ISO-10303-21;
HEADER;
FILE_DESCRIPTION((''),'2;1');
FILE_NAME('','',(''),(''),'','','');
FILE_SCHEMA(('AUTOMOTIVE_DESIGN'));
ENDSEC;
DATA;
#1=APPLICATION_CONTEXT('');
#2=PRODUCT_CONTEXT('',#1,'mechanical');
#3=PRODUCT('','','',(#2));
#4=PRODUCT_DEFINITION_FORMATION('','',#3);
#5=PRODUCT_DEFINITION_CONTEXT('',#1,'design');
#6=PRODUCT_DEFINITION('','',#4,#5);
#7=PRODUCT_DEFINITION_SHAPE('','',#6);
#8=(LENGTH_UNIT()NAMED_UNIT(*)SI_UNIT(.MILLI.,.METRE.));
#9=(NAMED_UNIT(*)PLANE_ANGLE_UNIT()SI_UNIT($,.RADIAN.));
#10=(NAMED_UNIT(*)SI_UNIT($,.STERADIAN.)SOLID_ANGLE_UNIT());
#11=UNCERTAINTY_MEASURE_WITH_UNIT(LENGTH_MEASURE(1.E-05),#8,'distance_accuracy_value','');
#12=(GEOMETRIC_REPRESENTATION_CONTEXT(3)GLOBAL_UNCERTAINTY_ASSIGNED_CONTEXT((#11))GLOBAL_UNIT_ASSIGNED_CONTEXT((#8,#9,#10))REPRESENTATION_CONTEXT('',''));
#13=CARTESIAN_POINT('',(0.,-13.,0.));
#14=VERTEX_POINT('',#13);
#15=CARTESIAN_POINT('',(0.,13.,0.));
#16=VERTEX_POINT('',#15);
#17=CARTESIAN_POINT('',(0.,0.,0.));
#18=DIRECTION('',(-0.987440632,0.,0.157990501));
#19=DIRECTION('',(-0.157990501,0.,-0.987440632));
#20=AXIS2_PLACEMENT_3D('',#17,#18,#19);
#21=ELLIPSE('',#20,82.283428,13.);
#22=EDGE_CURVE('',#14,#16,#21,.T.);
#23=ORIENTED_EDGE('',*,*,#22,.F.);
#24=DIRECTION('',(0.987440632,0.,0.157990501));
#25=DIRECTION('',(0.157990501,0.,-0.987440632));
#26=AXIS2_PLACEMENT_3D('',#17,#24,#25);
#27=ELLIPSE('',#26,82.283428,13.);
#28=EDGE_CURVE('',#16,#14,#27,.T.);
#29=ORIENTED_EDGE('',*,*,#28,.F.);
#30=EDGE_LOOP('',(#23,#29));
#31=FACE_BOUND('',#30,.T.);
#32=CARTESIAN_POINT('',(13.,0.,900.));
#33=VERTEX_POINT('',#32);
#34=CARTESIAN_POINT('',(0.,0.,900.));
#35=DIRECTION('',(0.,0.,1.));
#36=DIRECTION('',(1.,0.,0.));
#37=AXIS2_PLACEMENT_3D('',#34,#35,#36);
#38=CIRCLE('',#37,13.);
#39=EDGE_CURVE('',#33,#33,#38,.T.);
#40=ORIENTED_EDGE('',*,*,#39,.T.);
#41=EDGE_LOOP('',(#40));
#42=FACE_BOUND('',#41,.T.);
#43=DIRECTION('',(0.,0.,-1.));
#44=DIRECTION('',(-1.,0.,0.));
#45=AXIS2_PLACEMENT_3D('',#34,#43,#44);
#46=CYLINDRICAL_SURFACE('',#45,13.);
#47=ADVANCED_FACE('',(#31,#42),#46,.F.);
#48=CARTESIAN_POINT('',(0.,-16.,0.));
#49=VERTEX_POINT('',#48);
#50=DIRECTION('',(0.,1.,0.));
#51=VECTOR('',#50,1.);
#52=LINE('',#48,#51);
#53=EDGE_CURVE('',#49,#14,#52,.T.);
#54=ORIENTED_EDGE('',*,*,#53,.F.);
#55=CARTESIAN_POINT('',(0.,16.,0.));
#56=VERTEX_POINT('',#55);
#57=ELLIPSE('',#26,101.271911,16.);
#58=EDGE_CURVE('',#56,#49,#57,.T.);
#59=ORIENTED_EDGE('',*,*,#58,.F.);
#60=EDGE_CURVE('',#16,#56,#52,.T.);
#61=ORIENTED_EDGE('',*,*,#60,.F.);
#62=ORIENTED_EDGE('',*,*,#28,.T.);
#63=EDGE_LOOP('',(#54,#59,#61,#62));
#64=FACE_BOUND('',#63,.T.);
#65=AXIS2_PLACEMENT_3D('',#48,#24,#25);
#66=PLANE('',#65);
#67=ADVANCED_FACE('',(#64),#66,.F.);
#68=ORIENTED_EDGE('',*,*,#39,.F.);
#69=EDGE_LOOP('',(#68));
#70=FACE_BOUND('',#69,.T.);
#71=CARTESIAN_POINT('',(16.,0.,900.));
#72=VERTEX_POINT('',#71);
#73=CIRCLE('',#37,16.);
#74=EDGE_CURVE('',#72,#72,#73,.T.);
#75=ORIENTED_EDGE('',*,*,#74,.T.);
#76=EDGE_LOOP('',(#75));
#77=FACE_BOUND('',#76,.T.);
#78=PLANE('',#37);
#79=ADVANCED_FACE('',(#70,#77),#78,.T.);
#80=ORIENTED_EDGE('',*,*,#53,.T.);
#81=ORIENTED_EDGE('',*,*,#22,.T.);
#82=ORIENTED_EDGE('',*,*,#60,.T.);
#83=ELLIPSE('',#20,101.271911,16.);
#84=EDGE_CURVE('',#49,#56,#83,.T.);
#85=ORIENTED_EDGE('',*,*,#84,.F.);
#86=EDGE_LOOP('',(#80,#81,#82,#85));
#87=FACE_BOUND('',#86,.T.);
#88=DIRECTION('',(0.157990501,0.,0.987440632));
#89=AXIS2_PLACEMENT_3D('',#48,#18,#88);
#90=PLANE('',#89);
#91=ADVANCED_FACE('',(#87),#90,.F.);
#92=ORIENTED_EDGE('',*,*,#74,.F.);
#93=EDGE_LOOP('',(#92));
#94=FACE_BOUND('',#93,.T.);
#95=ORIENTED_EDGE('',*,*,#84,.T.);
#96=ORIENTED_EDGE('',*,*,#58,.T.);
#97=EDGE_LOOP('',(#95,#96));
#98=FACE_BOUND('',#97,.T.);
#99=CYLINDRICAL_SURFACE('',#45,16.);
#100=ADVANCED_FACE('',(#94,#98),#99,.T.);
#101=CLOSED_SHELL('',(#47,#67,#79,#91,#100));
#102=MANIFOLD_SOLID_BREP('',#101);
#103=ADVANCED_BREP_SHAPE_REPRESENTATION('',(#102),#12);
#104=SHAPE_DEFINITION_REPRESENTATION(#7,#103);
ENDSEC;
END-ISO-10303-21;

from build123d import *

# Parameters (mm, degrees)
ESQUISSE1_R                  = 16
ESQUISSE1_R_2                = 13
BOSS_EXTRU_1_DEPTH           = 900
ENL_V_MAT_EXTRU_1_DEPTH      = 901.284399509
ENL_V_MAT_EXTRU_1_DEPTH_BACK = 901.284399509
ENL_V_MAT_EXTRU_2_DEPTH      = 901.284399509
ENL_V_MAT_EXTRU_2_DEPTH_BACK = 901.284399509


with BuildPart() as part:
    # Esquisse1 → Boss.-Extru.1 (new body)
    with BuildSketch(Plane.XY):
        Circle(ESQUISSE1_R)
        Circle(ESQUISSE1_R_2, mode=Mode.SUBTRACT)
    extrude(amount=BOSS_EXTRU_1_DEPTH)

    # Esquisse2 → Enlèv. mat.-Extru.1 (cut, two sides: drawn at the far end of the back side and taken through both)
    with BuildSketch(Plane(origin=(0, 0, 0), x_dir=(1, 0, 0), z_dir=(0, 1, 0)).offset(-ENL_V_MAT_EXTRU_1_DEPTH_BACK)):
        Polygon((0, 0), (16, -100), (16, 0), align=None)
    extrude(amount=ENL_V_MAT_EXTRU_1_DEPTH + ENL_V_MAT_EXTRU_1_DEPTH_BACK, mode=Mode.SUBTRACT)

    # Esquisse3 → Enlèv. mat.-Extru.2 (cut, two sides: drawn at the far end of the back side and taken through both)
    with BuildSketch(Plane(origin=(0, 0, 0), x_dir=(1, 0, 0), z_dir=(0, 1, 0)).offset(-ENL_V_MAT_EXTRU_2_DEPTH_BACK)):
        Polygon((0, 0), (-16, -100), (-16, 0), align=None)
    extrude(amount=ENL_V_MAT_EXTRU_2_DEPTH + ENL_V_MAT_EXTRU_2_DEPTH_BACK, mode=Mode.SUBTRACT)


solid = part.part
